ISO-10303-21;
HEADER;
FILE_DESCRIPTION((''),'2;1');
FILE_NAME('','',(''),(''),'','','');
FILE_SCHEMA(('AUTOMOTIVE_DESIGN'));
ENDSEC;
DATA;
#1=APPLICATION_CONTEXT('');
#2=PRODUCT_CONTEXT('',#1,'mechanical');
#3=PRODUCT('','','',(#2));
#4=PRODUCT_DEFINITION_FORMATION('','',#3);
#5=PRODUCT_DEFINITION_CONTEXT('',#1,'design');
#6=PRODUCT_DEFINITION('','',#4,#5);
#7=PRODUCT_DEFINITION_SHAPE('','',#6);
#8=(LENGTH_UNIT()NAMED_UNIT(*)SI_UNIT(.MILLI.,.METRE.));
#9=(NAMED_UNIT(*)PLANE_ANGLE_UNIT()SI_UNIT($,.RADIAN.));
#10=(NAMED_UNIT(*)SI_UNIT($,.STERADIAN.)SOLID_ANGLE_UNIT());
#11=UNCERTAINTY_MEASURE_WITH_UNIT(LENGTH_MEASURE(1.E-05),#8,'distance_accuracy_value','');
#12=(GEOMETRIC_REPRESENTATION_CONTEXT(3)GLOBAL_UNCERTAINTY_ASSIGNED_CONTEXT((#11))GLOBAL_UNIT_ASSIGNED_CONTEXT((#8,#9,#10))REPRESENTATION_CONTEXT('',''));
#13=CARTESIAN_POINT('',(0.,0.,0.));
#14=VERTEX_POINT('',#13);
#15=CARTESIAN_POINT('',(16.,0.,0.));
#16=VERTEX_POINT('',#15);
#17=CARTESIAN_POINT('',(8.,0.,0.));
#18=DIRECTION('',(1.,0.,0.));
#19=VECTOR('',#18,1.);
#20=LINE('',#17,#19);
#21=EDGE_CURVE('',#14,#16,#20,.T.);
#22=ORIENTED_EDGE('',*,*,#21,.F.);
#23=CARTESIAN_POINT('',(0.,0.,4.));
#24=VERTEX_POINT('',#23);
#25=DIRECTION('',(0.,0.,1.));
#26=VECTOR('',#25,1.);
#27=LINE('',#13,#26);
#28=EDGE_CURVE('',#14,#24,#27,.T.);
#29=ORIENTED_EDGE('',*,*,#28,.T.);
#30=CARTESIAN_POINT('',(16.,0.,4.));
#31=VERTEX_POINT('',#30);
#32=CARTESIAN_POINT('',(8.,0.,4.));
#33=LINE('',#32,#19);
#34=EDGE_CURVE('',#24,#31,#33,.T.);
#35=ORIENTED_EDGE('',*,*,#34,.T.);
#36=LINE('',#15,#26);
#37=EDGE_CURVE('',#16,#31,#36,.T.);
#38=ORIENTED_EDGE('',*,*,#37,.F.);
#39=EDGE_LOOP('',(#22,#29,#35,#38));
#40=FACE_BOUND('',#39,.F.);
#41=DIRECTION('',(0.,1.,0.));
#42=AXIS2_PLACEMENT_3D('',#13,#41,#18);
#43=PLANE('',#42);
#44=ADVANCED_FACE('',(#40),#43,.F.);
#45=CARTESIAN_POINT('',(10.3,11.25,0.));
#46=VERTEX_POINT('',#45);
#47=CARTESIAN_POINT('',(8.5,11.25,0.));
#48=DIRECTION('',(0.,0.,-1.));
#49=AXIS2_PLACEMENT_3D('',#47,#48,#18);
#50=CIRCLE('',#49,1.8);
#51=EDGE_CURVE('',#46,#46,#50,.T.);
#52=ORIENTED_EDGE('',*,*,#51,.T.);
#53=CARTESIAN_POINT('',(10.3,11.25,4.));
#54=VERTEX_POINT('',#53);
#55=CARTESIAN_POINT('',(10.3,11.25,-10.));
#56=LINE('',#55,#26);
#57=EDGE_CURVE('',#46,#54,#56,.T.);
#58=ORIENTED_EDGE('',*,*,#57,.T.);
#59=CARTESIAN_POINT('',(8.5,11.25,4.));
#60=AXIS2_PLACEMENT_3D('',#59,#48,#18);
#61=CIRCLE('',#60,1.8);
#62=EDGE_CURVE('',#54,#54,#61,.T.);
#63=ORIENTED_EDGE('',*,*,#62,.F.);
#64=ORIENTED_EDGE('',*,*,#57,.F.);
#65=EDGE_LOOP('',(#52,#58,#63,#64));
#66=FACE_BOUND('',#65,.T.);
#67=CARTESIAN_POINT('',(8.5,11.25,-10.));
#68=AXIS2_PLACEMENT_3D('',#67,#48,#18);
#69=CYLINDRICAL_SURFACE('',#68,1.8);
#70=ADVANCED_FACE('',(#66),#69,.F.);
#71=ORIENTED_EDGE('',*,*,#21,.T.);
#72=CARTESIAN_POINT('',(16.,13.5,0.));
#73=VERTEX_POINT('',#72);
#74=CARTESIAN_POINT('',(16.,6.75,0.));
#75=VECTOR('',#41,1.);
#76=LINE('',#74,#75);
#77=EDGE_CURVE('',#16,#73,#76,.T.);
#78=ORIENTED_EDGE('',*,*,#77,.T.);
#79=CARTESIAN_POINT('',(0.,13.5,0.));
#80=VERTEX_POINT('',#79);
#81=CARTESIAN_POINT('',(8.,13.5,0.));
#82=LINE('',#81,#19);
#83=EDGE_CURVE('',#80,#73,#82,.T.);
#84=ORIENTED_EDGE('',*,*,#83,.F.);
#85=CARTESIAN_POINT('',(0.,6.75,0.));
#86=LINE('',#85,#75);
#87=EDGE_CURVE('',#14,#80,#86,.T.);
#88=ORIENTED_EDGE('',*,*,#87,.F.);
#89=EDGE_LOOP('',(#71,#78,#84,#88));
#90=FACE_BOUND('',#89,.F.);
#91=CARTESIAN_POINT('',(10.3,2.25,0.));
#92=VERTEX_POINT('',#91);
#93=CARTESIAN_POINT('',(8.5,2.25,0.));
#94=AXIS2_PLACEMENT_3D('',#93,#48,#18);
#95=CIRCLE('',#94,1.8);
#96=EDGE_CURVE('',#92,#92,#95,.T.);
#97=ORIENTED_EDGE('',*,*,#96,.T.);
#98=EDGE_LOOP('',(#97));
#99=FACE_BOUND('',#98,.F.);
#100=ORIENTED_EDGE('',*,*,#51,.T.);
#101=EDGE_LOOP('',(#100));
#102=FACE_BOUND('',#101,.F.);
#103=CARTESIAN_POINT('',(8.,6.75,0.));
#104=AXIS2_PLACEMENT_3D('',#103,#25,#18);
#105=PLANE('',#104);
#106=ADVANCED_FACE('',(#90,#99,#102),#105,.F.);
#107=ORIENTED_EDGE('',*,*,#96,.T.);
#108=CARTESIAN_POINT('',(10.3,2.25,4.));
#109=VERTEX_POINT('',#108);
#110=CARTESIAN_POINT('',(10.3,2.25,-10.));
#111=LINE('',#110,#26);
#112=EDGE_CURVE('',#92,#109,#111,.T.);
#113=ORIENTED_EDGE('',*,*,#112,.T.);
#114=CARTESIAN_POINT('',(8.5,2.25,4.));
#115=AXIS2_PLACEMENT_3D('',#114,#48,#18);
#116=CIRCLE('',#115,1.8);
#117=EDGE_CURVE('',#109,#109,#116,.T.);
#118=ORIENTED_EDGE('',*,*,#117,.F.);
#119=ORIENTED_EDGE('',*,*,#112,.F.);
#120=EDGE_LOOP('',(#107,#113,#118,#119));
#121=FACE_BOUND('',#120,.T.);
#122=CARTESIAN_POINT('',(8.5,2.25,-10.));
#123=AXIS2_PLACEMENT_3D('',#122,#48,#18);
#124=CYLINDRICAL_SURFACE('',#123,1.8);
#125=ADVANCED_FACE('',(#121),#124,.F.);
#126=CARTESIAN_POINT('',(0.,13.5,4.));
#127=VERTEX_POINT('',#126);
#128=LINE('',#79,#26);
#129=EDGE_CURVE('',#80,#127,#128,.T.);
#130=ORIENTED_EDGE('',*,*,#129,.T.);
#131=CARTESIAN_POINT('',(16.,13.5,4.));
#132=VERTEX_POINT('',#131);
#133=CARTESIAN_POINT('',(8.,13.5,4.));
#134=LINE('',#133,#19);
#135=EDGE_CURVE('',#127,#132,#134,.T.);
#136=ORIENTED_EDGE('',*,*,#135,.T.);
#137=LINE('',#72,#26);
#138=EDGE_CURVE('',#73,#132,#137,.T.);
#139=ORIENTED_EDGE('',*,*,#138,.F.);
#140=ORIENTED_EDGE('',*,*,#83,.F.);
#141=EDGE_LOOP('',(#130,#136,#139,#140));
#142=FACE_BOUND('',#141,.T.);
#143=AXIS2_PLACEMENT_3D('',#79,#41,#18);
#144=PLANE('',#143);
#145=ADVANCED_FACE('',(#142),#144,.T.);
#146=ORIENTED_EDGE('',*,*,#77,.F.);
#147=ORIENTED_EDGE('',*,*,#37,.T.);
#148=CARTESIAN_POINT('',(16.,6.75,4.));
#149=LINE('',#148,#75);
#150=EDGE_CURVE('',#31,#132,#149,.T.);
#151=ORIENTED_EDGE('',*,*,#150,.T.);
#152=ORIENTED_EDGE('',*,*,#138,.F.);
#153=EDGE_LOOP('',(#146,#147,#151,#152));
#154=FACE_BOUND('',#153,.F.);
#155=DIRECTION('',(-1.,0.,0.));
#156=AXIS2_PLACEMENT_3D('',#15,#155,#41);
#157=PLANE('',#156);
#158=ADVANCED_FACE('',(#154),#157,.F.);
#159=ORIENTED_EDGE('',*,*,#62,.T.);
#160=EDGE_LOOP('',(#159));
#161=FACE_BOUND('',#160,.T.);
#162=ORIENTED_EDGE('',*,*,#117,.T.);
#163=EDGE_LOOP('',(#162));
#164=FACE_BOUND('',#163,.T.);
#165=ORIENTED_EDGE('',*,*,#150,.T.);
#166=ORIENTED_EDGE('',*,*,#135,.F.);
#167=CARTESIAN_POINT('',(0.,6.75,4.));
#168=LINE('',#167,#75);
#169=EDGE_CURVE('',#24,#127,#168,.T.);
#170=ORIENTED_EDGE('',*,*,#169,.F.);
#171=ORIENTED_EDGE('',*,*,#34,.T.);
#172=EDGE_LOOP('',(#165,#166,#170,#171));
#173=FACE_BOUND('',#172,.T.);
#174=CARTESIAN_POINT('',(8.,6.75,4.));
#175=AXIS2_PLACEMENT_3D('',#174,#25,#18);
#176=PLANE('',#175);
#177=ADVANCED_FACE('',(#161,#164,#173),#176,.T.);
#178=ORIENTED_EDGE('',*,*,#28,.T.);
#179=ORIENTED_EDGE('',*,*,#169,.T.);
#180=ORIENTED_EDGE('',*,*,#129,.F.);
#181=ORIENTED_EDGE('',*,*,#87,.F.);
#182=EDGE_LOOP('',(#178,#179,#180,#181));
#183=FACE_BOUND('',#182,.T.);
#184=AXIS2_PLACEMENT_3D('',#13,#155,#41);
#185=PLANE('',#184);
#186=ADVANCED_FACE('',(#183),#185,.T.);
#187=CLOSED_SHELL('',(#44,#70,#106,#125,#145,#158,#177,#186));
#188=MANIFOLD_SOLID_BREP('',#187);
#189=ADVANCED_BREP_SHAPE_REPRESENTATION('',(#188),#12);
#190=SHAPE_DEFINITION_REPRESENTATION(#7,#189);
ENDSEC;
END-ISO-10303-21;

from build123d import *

# Parameters (mm, degrees)
CYLINDER001_R     = 1.8
CYLINDER001_DEPTH = 50
ARRAY001_Y_COUNT  = 2
ARRAY001_Y_PITCH  = 9
BOX002_W          = 16
BOX002_H          = 13.5
BOX002_DEPTH      = 4


with BuildPart() as array001:
    # Cylinder001 → Cylinder001 (new body)
    with BuildSketch(Plane(origin=(8.5, 2.25, -10), x_dir=(1, 0, 0), z_dir=(0, 0, 1))):
        Circle(CYLINDER001_R)
    extrude(amount=CYLINDER001_DEPTH)

    # Array001 Y: Array001 ×2


with BuildPart() as array001_1:
    add(array001.part)
    with Locations(*[(0, i * ARRAY001_Y_PITCH, 0) for i in range(1, ARRAY001_Y_COUNT)]):
        add(array001.part)


with BuildPart() as cut001:
    # Box002 → Box002 (new body)
    with BuildSketch(Plane.XY):
        with Locations((8, 6.75)):
            Rectangle(BOX002_W, BOX002_H)
    extrude(amount=BOX002_DEPTH)

    # Cut001: cut Array001
    add(array001_1.part, mode=Mode.SUBTRACT)


solid = cut001.part
